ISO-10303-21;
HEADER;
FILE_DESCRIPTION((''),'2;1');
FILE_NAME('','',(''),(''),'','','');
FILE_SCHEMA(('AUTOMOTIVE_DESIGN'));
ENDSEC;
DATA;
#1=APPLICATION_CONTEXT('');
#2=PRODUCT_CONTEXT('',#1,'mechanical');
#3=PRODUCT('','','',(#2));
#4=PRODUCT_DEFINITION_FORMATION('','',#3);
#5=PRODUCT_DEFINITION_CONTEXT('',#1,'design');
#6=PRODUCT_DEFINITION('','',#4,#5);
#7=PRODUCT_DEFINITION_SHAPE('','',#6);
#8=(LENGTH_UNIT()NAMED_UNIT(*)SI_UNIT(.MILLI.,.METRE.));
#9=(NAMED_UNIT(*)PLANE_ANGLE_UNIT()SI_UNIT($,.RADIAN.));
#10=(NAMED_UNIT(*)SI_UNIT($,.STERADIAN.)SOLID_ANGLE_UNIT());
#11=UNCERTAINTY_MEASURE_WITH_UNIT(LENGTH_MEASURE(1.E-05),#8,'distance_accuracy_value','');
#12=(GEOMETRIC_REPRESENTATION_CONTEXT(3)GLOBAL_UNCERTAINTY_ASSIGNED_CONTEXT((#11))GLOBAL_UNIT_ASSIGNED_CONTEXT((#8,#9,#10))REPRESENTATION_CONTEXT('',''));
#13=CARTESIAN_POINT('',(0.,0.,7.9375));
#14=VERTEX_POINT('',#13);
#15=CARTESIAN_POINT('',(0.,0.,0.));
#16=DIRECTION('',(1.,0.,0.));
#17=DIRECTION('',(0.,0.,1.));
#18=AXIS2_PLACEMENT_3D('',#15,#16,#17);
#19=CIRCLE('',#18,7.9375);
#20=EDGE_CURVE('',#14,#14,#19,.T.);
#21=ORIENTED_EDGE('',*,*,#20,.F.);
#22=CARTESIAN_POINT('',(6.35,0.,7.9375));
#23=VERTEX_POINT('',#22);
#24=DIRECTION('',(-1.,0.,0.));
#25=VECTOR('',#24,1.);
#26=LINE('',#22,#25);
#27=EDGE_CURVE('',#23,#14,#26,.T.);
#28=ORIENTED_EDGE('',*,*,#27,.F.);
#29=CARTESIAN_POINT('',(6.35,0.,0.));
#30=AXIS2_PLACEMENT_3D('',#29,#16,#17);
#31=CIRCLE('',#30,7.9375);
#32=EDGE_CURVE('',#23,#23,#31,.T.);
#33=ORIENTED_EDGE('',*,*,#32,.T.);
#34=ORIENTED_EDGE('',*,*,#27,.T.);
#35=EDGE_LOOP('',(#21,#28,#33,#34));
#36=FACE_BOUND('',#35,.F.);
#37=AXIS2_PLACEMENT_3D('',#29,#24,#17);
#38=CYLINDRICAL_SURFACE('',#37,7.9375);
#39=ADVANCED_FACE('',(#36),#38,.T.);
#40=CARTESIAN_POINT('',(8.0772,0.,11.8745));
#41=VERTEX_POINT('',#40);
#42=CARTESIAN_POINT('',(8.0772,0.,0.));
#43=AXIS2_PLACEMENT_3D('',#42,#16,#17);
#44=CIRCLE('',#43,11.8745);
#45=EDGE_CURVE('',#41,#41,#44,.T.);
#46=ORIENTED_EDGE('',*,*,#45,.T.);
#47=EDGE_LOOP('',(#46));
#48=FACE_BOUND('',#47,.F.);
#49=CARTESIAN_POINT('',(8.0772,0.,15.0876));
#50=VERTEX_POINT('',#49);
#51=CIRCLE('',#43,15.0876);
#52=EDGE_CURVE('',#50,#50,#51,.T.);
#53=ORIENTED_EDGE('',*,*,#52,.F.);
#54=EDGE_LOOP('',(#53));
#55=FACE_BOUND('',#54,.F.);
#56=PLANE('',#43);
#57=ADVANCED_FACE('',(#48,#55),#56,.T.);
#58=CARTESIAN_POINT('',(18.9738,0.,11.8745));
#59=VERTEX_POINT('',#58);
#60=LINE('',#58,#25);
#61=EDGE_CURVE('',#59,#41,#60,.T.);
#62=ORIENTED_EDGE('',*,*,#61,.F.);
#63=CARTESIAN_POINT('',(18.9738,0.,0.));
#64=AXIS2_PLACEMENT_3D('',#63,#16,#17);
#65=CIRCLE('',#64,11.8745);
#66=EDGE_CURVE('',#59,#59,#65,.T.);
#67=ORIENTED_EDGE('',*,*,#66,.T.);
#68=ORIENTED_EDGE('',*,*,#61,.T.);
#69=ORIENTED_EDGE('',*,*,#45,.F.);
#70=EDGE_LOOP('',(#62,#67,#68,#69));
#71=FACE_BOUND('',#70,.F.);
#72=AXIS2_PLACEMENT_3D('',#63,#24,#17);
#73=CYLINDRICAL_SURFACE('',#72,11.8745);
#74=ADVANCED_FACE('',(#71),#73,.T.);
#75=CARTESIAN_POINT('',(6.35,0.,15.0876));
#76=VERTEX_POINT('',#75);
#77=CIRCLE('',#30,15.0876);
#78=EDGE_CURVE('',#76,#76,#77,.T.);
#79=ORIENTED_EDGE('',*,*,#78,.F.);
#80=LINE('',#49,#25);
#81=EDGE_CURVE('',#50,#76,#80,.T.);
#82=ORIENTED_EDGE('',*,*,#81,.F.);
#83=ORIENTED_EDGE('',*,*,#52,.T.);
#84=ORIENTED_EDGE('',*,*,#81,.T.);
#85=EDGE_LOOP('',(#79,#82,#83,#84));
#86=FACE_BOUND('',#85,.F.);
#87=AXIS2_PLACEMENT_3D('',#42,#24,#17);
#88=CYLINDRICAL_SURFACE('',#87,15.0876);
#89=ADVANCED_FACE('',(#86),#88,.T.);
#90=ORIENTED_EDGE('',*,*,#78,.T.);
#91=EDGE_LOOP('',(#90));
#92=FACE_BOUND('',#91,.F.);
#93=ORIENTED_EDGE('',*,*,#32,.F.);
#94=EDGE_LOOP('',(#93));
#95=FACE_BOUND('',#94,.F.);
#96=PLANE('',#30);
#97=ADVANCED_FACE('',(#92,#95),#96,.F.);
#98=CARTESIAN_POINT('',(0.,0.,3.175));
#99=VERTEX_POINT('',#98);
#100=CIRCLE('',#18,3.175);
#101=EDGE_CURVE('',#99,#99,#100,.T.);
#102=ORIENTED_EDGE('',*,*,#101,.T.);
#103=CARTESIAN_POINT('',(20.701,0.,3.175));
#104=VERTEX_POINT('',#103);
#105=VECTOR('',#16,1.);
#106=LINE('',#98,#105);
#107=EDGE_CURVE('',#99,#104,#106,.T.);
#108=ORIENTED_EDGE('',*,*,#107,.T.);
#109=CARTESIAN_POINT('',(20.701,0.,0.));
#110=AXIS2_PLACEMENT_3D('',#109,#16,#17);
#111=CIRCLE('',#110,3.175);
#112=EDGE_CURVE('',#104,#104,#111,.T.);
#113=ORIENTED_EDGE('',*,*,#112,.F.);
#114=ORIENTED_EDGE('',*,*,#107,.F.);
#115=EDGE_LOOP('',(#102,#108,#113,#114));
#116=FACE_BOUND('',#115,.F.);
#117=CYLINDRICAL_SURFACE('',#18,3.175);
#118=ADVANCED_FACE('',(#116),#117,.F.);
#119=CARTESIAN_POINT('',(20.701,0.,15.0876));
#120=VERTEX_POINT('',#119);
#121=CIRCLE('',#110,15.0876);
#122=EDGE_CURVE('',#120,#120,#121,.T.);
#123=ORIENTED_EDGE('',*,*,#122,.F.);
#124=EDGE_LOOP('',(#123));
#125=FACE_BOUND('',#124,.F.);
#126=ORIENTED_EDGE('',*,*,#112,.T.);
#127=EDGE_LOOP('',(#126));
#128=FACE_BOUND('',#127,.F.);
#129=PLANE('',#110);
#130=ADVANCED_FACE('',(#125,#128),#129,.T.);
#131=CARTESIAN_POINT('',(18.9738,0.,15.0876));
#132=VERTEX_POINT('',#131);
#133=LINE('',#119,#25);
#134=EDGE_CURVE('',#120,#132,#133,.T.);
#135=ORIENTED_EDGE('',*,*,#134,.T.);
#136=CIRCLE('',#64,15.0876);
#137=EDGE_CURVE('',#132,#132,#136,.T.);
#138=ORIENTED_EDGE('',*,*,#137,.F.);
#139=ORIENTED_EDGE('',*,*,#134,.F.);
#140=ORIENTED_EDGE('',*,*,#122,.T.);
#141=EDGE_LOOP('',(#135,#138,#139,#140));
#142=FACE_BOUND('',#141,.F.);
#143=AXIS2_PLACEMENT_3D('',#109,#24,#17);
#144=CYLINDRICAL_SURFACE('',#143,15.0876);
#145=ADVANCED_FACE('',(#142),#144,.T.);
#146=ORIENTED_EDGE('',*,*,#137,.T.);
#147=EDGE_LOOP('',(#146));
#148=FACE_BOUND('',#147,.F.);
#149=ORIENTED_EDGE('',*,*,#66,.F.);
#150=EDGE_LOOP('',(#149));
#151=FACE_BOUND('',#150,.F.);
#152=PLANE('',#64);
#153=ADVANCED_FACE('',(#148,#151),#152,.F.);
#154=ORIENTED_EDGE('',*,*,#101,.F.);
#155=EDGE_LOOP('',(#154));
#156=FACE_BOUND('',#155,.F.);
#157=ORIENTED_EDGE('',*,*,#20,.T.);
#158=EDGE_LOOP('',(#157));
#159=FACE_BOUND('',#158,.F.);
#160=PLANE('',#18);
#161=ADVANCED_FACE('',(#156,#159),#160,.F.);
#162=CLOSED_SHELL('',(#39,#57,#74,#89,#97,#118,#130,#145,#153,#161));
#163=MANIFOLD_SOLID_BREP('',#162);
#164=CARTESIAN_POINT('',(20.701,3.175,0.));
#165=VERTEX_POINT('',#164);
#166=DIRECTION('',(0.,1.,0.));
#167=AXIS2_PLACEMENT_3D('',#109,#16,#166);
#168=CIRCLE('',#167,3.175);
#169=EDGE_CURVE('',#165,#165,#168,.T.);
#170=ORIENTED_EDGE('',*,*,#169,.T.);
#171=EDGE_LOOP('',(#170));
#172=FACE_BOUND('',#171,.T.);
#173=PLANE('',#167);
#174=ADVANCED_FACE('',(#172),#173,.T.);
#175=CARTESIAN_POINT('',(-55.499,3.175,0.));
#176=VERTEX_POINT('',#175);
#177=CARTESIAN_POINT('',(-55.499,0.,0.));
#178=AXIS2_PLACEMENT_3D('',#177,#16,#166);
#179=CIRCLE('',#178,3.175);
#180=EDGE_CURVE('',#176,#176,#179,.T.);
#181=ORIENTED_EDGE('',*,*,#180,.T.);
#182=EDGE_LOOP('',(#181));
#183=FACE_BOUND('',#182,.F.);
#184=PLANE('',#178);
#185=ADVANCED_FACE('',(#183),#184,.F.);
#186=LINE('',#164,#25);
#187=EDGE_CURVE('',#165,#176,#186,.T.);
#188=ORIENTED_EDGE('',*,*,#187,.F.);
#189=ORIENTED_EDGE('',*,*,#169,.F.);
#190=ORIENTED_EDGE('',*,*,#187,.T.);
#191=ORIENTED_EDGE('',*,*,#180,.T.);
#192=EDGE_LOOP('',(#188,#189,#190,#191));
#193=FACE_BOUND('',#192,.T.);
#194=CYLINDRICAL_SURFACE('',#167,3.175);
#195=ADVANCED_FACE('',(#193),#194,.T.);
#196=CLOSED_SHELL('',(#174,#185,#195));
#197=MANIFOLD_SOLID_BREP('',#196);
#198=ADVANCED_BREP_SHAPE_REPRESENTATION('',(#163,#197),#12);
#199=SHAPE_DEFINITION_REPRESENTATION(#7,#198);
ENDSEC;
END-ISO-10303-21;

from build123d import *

# Parameters (mm, degrees)
F2_R     = 3.175
F3_DEPTH = 76.2


with BuildPart() as f1:
    # F0 (on Front) → F1 (revolve)
    with BuildSketch(Plane.XZ):
        Polygon((0, 7.9375), (0, 3.175), (20.701, 3.175), (20.701, 15.0876), (18.9738, 15.0876), (18.9738, 11.8745), (8.0772, 11.8745), (8.0772, 15.0876), (6.35, 15.0876), (6.35, 7.9375), align=None)
    revolve(axis=Axis((26.067868, 0, 0), (1, 0, 0)))


with BuildPart() as f3:
    # F2 (on face) → F3 (new body)
    with BuildSketch(Plane.YZ.offset(20.701)):
        Circle(F2_R)
    extrude(amount=-F3_DEPTH)


solid = Compound([f1.part, f3.part])
